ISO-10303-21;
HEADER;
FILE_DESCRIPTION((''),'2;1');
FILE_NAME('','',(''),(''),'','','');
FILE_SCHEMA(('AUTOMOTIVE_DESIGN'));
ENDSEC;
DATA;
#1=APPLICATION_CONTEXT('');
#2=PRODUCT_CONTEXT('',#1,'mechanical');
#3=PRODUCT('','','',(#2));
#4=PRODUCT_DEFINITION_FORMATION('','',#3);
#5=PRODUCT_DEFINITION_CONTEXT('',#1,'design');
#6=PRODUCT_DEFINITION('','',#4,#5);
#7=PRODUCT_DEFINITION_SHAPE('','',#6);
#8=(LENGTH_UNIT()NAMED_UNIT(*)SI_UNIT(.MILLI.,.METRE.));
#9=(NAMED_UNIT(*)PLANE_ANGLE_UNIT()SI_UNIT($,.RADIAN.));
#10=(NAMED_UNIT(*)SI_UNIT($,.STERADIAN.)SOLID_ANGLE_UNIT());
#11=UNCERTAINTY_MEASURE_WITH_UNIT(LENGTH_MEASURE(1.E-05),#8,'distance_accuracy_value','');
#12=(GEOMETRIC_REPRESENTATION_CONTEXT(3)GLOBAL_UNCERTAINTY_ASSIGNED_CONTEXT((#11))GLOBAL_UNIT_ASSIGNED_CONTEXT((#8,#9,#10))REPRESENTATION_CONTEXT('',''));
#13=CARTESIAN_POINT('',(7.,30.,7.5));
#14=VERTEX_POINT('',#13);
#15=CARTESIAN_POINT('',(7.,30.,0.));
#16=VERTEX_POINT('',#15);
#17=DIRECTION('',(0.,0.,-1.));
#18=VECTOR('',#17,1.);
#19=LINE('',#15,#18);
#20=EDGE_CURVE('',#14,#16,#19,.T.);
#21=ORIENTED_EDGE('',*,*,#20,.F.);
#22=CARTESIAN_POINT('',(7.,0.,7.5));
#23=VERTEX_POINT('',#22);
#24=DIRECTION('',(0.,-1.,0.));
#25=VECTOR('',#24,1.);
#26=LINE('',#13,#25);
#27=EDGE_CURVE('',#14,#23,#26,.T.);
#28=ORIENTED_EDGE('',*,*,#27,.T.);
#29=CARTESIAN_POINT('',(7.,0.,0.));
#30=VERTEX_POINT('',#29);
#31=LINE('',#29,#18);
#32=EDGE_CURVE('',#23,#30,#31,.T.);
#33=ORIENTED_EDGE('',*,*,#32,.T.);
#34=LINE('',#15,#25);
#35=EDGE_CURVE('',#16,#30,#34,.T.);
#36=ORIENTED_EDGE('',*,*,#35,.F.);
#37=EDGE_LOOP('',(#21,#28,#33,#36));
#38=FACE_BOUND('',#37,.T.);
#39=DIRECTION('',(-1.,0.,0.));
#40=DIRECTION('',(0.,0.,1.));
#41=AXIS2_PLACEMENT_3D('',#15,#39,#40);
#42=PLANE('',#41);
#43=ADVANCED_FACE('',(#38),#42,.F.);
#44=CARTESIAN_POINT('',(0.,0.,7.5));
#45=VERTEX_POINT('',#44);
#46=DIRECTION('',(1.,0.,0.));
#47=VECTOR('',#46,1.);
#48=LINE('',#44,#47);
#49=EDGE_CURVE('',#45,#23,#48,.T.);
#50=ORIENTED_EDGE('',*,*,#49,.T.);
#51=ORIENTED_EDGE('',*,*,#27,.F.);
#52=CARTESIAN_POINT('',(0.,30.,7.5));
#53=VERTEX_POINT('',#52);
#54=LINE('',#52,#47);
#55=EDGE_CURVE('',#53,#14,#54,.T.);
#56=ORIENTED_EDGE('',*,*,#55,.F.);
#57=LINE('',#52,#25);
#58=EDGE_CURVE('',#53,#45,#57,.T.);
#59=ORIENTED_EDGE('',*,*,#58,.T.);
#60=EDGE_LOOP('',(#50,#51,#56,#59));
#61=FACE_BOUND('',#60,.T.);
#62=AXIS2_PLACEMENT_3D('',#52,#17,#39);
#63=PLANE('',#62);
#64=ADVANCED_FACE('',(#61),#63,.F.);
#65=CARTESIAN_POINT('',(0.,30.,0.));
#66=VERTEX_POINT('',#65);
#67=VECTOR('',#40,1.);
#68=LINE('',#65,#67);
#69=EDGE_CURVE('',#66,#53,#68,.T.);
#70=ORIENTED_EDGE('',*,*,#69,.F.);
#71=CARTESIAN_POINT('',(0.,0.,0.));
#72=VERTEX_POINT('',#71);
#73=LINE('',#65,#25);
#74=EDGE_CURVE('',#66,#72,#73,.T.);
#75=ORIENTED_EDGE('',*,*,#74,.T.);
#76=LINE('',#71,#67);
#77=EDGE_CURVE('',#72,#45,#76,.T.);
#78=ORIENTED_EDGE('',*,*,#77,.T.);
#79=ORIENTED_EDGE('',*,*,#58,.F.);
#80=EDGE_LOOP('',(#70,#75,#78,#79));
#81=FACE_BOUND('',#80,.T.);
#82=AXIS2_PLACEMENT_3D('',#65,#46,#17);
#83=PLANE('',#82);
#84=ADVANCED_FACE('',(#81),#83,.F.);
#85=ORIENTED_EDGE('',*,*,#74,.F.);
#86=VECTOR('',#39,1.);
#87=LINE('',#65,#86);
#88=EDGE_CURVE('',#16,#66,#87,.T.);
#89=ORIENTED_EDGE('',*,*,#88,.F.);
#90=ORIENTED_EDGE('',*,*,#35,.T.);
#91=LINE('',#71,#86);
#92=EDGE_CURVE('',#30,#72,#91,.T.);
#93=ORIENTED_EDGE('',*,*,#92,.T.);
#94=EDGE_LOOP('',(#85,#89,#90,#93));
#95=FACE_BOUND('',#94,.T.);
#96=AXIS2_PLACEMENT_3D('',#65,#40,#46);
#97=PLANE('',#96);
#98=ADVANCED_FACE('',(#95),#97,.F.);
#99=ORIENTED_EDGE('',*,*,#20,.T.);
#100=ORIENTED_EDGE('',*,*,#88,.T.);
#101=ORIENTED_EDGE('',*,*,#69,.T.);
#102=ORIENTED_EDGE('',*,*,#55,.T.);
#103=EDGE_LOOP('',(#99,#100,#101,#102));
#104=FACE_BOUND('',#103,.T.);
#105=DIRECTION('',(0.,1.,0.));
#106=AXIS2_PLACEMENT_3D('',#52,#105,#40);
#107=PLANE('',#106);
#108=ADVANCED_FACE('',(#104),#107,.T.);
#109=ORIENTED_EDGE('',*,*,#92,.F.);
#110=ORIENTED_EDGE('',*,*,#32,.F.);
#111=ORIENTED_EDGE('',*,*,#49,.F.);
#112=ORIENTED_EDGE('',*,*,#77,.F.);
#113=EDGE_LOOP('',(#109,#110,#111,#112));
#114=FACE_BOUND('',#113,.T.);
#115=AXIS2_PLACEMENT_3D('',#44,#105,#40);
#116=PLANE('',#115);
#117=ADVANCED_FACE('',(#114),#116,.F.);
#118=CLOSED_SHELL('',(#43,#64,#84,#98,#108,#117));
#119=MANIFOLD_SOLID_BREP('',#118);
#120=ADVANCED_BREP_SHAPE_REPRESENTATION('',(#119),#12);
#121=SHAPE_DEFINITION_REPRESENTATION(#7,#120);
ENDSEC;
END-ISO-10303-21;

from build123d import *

# Parameters (mm, degrees)
SKETCH_1_W      = 7
SKETCH_1_H      = 7.5
EXTRUDE_1_DEPTH = 30


with BuildPart() as part:
    # Эскиз1 → Вытянуть1 (new body)
    with BuildSketch(Plane(origin=(0, 0, 0), x_dir=(1, 0, 0), z_dir=(0, 1, 0))):
        with Locations((3.5, -3.75)):
            Rectangle(SKETCH_1_W, SKETCH_1_H)
    extrude(amount=EXTRUDE_1_DEPTH)


solid = part.part
